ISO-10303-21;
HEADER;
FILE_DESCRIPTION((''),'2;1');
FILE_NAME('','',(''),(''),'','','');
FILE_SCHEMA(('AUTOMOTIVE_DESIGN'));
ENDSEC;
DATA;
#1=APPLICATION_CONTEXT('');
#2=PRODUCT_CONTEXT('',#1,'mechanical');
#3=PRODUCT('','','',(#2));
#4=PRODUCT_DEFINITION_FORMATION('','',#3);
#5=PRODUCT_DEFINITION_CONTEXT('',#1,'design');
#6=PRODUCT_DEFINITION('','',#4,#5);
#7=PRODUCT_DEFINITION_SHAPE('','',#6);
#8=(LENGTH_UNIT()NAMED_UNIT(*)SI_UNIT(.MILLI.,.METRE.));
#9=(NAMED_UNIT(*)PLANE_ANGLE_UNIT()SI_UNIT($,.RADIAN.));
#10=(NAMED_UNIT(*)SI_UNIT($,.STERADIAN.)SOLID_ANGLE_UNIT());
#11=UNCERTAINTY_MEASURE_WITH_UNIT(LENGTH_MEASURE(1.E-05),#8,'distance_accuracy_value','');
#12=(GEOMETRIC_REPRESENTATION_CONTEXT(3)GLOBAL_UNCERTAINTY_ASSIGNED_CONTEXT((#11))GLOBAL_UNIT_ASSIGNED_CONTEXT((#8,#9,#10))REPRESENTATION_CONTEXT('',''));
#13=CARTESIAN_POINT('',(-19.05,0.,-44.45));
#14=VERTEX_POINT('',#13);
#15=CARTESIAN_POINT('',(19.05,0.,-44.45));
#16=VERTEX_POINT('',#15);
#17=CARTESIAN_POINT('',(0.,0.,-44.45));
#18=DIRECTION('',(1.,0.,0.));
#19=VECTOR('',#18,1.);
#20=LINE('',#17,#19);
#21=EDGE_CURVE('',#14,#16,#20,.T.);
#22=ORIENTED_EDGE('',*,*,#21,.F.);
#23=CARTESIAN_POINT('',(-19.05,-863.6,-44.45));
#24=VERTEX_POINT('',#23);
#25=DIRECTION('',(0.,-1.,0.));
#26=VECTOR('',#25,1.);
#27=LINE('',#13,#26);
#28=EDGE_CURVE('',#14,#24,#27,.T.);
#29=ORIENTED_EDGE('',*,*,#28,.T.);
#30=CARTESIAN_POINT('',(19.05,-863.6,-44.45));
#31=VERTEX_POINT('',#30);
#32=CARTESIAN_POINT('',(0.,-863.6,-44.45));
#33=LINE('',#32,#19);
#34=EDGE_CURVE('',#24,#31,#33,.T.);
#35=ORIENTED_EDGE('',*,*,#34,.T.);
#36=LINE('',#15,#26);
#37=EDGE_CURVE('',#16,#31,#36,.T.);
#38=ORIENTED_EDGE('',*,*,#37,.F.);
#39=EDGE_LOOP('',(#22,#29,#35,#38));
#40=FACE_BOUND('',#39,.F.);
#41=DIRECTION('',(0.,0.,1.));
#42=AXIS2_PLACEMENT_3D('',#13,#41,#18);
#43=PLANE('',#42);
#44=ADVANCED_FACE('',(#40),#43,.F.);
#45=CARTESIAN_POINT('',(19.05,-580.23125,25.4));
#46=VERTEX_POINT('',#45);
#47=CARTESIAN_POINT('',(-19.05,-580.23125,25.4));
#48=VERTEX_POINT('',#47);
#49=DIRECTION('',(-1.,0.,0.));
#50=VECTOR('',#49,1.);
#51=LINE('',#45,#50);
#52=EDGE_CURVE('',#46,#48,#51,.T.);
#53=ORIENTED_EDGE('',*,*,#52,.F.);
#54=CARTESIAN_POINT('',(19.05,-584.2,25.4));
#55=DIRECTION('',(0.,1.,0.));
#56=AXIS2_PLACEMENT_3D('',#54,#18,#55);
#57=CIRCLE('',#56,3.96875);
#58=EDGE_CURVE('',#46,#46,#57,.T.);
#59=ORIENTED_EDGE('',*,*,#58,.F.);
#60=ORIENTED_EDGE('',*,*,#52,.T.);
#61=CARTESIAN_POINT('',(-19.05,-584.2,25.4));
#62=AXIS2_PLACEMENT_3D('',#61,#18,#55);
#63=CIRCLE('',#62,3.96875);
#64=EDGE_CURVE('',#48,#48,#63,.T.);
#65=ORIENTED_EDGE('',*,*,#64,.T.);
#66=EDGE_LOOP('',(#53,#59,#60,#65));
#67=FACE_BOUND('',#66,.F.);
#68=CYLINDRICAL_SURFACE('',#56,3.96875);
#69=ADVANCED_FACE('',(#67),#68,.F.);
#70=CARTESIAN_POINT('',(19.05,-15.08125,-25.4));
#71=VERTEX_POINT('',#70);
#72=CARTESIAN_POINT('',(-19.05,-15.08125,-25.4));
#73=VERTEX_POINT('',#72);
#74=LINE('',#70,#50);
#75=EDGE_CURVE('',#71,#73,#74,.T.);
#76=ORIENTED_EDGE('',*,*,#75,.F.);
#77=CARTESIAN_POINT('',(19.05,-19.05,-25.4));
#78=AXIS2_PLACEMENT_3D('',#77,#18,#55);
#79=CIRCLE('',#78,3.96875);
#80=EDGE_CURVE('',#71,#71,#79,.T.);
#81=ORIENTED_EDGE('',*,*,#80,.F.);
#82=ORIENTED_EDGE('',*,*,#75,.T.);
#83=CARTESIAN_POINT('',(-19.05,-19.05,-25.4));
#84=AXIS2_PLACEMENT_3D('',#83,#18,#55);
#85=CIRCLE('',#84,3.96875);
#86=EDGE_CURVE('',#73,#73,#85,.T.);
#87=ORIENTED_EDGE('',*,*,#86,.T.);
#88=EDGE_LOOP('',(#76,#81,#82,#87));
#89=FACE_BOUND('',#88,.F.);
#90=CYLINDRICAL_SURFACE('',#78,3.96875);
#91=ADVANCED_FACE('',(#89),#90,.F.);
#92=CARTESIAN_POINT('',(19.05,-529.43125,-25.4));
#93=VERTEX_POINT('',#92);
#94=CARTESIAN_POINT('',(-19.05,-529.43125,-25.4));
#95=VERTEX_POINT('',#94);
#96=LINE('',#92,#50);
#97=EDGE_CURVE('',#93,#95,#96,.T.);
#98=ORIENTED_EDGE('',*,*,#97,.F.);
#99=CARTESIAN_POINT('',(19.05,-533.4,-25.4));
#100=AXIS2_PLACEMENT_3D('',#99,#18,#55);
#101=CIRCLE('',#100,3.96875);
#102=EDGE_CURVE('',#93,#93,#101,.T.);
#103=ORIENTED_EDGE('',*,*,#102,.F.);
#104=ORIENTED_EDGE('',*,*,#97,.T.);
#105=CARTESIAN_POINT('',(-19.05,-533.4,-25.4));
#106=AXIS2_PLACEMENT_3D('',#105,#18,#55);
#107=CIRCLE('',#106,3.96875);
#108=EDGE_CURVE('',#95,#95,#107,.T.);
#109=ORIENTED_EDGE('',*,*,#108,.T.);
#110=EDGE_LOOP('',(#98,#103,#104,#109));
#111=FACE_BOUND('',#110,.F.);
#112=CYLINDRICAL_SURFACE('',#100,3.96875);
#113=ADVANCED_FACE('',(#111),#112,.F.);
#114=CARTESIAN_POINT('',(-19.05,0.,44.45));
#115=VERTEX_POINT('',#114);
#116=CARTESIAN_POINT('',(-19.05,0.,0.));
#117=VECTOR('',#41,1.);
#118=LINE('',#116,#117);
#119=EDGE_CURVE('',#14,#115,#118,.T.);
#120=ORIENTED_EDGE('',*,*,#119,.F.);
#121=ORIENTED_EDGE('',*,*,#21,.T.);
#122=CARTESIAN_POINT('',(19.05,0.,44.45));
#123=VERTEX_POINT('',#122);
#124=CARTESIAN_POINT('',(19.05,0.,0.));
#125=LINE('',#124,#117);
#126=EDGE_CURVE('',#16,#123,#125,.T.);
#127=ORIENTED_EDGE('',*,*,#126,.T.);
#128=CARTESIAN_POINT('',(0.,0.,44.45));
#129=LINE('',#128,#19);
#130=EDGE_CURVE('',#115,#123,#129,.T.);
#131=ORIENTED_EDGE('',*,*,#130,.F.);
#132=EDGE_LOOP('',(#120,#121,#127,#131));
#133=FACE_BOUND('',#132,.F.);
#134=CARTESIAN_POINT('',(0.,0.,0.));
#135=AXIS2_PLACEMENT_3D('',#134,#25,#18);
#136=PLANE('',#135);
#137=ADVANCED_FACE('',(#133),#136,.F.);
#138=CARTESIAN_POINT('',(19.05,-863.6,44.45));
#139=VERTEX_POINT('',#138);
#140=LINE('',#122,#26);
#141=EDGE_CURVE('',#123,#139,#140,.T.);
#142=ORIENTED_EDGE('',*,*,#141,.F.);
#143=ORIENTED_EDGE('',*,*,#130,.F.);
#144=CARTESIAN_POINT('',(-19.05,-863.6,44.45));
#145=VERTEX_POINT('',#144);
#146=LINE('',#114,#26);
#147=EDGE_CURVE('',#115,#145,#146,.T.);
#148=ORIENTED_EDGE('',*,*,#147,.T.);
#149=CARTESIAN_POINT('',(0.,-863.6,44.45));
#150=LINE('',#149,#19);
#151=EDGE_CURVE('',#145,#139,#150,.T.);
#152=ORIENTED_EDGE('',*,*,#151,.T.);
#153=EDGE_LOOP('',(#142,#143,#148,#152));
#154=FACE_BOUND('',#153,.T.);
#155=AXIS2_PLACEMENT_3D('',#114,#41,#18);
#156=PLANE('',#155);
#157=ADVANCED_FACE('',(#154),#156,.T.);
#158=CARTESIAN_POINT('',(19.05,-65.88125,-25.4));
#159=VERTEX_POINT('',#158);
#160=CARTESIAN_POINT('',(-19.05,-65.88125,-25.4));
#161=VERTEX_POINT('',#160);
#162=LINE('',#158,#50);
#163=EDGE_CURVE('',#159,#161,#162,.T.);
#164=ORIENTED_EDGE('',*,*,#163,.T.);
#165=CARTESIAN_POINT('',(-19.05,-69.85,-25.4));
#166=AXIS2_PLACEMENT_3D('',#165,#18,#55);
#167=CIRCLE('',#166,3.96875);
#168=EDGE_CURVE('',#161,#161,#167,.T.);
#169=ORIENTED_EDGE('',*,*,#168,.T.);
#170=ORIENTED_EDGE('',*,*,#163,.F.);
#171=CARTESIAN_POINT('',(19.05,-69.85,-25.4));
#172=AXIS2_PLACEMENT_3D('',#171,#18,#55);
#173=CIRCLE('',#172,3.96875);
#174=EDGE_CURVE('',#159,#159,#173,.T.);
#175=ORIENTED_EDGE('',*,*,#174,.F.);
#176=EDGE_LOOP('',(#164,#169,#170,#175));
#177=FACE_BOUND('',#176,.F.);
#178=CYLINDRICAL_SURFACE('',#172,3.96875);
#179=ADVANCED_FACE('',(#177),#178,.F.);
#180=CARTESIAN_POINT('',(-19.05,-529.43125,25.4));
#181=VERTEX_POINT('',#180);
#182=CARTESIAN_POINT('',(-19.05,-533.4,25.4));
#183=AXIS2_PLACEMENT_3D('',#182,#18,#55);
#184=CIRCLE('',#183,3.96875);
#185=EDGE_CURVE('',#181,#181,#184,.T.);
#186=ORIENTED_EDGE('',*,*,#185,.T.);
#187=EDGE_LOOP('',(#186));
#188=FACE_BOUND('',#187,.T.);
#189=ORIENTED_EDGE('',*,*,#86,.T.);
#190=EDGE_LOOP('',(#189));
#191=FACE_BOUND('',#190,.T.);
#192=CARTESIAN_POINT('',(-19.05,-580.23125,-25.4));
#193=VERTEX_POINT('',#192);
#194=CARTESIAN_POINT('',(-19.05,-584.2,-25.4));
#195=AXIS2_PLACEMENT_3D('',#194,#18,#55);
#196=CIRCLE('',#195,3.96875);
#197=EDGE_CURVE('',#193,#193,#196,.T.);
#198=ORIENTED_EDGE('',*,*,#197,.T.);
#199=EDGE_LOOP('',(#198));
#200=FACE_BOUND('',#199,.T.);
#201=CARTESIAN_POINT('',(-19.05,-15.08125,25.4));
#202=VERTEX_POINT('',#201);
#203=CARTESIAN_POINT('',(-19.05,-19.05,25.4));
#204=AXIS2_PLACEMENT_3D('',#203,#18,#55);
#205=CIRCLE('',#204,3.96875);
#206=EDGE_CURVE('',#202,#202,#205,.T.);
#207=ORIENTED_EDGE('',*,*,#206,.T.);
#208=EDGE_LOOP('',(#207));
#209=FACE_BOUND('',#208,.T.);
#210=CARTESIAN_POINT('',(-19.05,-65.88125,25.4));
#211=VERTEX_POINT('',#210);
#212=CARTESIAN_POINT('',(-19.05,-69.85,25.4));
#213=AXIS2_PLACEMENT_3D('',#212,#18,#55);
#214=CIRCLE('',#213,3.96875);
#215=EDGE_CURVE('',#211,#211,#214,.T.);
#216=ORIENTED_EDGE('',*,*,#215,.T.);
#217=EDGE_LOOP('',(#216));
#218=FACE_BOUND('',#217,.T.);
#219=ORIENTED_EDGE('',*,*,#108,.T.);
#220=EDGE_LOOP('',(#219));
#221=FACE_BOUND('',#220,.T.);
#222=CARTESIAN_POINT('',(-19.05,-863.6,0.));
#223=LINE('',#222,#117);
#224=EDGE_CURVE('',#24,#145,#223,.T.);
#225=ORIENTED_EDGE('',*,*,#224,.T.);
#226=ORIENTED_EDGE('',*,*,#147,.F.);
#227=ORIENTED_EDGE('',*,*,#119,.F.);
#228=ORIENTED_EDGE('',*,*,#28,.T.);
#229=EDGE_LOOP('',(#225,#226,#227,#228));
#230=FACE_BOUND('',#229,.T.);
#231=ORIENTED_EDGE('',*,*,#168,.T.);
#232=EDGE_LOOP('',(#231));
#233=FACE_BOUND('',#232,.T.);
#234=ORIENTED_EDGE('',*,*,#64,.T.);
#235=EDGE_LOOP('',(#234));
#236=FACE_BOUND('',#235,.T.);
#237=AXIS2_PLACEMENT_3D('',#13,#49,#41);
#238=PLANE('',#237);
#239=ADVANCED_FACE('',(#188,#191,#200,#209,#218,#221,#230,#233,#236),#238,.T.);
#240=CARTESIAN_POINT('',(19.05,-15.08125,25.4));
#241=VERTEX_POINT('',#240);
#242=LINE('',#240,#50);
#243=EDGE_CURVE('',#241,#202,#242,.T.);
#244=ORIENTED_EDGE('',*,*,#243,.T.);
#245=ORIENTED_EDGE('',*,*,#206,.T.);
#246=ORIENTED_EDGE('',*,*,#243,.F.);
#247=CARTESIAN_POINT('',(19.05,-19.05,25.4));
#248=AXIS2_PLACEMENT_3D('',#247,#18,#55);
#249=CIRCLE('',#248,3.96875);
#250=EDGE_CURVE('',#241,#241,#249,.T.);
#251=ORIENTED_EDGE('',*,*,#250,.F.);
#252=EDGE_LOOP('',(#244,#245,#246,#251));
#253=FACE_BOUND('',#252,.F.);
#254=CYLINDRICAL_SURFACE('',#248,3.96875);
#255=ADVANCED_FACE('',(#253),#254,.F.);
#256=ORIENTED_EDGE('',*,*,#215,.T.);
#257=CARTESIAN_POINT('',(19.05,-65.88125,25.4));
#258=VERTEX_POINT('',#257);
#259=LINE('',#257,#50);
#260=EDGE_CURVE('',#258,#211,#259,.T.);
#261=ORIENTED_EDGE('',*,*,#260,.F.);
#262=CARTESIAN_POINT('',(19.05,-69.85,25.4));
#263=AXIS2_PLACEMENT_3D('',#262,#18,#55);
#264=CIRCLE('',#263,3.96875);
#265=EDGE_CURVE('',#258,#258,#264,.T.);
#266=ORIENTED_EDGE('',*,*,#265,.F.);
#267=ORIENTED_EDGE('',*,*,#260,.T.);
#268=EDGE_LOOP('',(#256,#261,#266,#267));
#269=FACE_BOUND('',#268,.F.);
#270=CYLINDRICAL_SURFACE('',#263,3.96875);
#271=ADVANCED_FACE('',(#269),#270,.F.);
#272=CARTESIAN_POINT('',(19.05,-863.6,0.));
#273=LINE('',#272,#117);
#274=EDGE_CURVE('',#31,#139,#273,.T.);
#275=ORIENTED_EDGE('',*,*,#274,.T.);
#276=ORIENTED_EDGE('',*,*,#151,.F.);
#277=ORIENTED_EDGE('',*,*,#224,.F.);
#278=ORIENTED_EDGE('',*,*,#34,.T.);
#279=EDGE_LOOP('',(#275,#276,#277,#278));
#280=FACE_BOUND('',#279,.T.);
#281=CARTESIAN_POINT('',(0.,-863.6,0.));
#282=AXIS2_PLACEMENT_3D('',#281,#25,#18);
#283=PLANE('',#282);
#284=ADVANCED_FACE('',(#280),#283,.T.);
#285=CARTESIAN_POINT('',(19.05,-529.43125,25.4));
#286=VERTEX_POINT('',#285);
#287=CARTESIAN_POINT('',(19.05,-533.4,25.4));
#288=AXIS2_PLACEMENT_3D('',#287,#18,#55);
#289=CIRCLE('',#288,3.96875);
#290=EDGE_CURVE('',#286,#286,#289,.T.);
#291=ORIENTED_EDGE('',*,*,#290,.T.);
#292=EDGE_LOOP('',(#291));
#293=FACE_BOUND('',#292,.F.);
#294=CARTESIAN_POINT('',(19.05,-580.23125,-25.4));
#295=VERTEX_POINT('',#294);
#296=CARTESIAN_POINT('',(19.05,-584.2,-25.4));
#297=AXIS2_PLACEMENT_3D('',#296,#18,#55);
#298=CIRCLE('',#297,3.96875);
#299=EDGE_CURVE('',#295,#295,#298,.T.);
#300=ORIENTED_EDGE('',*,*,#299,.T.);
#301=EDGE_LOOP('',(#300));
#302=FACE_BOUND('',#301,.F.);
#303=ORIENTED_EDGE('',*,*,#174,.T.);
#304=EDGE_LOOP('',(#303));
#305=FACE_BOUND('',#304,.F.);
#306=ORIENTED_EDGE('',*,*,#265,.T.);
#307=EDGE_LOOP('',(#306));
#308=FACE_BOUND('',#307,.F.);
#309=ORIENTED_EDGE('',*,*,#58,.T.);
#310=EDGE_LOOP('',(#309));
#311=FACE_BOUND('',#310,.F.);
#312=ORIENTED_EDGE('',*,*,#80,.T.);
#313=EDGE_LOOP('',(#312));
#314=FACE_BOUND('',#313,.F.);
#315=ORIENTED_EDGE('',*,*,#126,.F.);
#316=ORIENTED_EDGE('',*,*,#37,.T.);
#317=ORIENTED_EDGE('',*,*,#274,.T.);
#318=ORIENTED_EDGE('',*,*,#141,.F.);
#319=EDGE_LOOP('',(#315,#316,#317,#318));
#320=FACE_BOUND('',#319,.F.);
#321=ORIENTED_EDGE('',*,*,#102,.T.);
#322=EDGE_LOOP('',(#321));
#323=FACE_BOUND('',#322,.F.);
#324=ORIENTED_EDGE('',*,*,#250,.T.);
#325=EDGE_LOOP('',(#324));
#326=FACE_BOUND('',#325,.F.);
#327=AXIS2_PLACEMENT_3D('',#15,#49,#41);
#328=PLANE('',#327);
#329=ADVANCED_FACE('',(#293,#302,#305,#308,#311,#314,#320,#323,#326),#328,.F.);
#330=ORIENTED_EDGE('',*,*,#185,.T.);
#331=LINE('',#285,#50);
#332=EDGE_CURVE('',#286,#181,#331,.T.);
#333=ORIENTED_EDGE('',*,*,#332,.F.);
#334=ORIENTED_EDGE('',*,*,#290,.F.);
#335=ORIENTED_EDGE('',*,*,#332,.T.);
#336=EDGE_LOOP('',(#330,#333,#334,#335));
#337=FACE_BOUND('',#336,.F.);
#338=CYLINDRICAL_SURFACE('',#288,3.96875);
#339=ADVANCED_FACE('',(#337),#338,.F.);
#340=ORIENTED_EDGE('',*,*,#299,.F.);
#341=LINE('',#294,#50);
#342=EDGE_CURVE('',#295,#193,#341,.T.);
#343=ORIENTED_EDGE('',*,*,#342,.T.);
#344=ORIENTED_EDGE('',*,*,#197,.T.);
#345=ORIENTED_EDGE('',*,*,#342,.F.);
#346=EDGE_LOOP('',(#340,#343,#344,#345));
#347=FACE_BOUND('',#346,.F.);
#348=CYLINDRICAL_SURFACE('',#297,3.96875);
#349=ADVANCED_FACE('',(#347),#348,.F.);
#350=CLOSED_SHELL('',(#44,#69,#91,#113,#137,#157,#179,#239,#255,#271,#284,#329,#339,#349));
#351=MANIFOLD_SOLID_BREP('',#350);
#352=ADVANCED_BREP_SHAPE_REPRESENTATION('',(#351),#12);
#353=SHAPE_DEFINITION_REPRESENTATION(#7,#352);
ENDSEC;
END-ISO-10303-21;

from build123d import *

# Parameters (mm, degrees)
F0_W     = 38.1
F0_H     = 88.9
F1_DEPTH = 863.6
F2_R     = 3.96875
F3_DEPTH = 38.101


with BuildPart() as f1:
    # F0 (on Front) → F1 (new body)
    with BuildSketch(Plane.XZ):
        Rectangle(F0_W, F0_H)
    extrude(amount=F1_DEPTH)

    # F2 (on face) → F3 (cut, through all)
    with BuildSketch(Plane.YZ.offset(19.05)):
        with Locations((-533.4, 25.4)):
            Circle(F2_R)
        with Locations((-533.4, -25.4)):
            Circle(F2_R)
        with Locations((-584.2, -25.4)):
            Circle(F2_R)
        with Locations((-584.2, 25.4)):
            Circle(F2_R)
        with Locations((-69.85, 25.4)):
            Circle(F2_R)
        with Locations((-69.85, -25.4)):
            Circle(F2_R)
        with Locations((-19.05, -25.4)):
            Circle(F2_R)
        with Locations((-19.05, 25.4)):
            Circle(F2_R)
    extrude(amount=-F3_DEPTH, mode=Mode.SUBTRACT)


solid = f1.part
